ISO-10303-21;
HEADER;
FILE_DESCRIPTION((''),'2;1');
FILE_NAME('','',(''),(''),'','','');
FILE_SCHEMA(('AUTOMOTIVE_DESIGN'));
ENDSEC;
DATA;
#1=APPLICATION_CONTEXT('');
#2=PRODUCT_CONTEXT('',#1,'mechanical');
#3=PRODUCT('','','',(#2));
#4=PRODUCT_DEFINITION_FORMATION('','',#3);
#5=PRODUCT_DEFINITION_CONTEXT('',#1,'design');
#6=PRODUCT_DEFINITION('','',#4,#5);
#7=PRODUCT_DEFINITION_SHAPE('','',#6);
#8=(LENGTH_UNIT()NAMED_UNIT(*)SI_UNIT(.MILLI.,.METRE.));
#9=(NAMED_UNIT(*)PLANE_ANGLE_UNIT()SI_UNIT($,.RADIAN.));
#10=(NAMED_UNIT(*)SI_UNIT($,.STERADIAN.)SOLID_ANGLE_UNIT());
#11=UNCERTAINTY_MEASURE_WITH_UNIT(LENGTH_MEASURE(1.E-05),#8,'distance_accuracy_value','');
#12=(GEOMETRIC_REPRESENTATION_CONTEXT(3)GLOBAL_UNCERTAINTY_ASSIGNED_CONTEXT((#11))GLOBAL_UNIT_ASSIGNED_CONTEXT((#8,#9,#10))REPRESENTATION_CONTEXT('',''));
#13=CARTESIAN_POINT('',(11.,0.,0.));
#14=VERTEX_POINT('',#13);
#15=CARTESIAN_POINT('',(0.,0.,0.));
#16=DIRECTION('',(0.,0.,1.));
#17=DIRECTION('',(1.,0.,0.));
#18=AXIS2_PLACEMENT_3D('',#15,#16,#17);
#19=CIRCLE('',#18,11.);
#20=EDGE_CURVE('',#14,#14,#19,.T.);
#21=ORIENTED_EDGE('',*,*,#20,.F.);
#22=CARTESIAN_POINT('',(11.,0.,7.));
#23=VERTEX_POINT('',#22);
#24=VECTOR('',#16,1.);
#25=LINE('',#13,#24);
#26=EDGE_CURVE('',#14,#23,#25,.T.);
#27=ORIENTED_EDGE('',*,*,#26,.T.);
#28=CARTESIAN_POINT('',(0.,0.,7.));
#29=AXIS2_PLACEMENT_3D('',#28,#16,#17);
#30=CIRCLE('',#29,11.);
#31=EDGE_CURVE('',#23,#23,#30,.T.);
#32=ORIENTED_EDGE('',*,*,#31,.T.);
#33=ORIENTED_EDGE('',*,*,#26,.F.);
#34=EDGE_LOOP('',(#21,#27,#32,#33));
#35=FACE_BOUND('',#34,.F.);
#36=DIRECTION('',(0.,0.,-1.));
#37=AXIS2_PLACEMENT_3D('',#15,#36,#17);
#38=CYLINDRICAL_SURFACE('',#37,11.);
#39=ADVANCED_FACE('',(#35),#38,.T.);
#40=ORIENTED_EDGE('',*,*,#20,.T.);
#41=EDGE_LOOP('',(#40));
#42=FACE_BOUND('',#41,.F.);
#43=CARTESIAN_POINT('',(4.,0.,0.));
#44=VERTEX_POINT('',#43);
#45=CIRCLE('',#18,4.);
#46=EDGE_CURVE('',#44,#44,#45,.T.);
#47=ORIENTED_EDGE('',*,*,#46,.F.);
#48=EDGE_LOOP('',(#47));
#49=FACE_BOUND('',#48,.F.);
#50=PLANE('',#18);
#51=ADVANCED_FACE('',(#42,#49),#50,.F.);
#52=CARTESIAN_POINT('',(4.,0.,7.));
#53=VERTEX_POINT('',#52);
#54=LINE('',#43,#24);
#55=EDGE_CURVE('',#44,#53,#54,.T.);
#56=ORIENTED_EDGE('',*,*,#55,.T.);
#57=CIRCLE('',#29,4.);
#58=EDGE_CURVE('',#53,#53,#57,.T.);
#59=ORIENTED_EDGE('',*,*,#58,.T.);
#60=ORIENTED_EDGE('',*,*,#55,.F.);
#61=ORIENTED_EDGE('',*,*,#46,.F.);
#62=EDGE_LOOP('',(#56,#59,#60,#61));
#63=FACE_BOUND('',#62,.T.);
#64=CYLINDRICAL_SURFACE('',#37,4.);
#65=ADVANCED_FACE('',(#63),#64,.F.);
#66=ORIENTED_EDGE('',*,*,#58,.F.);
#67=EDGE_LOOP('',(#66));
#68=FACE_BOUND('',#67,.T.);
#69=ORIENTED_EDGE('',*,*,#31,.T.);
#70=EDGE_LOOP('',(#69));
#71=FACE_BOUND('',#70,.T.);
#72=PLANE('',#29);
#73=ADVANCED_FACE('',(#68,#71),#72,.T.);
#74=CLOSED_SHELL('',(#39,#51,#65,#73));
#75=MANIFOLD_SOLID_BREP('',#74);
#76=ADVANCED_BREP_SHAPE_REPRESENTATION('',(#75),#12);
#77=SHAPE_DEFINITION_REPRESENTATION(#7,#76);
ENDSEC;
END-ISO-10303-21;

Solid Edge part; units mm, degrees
sketch "Sketch1" plane through (0, 0, 0) normal (0, 0, 1) x (1, 0, 0)
  circle A0 centre (0, 0) radius 4
  circle A1 centre (0, 0) radius 11
  dimension "D1" = 22
  dimension "D2" = 8
extrude "Protrusion1" add sketch "Sketch1" along normal blind 7
